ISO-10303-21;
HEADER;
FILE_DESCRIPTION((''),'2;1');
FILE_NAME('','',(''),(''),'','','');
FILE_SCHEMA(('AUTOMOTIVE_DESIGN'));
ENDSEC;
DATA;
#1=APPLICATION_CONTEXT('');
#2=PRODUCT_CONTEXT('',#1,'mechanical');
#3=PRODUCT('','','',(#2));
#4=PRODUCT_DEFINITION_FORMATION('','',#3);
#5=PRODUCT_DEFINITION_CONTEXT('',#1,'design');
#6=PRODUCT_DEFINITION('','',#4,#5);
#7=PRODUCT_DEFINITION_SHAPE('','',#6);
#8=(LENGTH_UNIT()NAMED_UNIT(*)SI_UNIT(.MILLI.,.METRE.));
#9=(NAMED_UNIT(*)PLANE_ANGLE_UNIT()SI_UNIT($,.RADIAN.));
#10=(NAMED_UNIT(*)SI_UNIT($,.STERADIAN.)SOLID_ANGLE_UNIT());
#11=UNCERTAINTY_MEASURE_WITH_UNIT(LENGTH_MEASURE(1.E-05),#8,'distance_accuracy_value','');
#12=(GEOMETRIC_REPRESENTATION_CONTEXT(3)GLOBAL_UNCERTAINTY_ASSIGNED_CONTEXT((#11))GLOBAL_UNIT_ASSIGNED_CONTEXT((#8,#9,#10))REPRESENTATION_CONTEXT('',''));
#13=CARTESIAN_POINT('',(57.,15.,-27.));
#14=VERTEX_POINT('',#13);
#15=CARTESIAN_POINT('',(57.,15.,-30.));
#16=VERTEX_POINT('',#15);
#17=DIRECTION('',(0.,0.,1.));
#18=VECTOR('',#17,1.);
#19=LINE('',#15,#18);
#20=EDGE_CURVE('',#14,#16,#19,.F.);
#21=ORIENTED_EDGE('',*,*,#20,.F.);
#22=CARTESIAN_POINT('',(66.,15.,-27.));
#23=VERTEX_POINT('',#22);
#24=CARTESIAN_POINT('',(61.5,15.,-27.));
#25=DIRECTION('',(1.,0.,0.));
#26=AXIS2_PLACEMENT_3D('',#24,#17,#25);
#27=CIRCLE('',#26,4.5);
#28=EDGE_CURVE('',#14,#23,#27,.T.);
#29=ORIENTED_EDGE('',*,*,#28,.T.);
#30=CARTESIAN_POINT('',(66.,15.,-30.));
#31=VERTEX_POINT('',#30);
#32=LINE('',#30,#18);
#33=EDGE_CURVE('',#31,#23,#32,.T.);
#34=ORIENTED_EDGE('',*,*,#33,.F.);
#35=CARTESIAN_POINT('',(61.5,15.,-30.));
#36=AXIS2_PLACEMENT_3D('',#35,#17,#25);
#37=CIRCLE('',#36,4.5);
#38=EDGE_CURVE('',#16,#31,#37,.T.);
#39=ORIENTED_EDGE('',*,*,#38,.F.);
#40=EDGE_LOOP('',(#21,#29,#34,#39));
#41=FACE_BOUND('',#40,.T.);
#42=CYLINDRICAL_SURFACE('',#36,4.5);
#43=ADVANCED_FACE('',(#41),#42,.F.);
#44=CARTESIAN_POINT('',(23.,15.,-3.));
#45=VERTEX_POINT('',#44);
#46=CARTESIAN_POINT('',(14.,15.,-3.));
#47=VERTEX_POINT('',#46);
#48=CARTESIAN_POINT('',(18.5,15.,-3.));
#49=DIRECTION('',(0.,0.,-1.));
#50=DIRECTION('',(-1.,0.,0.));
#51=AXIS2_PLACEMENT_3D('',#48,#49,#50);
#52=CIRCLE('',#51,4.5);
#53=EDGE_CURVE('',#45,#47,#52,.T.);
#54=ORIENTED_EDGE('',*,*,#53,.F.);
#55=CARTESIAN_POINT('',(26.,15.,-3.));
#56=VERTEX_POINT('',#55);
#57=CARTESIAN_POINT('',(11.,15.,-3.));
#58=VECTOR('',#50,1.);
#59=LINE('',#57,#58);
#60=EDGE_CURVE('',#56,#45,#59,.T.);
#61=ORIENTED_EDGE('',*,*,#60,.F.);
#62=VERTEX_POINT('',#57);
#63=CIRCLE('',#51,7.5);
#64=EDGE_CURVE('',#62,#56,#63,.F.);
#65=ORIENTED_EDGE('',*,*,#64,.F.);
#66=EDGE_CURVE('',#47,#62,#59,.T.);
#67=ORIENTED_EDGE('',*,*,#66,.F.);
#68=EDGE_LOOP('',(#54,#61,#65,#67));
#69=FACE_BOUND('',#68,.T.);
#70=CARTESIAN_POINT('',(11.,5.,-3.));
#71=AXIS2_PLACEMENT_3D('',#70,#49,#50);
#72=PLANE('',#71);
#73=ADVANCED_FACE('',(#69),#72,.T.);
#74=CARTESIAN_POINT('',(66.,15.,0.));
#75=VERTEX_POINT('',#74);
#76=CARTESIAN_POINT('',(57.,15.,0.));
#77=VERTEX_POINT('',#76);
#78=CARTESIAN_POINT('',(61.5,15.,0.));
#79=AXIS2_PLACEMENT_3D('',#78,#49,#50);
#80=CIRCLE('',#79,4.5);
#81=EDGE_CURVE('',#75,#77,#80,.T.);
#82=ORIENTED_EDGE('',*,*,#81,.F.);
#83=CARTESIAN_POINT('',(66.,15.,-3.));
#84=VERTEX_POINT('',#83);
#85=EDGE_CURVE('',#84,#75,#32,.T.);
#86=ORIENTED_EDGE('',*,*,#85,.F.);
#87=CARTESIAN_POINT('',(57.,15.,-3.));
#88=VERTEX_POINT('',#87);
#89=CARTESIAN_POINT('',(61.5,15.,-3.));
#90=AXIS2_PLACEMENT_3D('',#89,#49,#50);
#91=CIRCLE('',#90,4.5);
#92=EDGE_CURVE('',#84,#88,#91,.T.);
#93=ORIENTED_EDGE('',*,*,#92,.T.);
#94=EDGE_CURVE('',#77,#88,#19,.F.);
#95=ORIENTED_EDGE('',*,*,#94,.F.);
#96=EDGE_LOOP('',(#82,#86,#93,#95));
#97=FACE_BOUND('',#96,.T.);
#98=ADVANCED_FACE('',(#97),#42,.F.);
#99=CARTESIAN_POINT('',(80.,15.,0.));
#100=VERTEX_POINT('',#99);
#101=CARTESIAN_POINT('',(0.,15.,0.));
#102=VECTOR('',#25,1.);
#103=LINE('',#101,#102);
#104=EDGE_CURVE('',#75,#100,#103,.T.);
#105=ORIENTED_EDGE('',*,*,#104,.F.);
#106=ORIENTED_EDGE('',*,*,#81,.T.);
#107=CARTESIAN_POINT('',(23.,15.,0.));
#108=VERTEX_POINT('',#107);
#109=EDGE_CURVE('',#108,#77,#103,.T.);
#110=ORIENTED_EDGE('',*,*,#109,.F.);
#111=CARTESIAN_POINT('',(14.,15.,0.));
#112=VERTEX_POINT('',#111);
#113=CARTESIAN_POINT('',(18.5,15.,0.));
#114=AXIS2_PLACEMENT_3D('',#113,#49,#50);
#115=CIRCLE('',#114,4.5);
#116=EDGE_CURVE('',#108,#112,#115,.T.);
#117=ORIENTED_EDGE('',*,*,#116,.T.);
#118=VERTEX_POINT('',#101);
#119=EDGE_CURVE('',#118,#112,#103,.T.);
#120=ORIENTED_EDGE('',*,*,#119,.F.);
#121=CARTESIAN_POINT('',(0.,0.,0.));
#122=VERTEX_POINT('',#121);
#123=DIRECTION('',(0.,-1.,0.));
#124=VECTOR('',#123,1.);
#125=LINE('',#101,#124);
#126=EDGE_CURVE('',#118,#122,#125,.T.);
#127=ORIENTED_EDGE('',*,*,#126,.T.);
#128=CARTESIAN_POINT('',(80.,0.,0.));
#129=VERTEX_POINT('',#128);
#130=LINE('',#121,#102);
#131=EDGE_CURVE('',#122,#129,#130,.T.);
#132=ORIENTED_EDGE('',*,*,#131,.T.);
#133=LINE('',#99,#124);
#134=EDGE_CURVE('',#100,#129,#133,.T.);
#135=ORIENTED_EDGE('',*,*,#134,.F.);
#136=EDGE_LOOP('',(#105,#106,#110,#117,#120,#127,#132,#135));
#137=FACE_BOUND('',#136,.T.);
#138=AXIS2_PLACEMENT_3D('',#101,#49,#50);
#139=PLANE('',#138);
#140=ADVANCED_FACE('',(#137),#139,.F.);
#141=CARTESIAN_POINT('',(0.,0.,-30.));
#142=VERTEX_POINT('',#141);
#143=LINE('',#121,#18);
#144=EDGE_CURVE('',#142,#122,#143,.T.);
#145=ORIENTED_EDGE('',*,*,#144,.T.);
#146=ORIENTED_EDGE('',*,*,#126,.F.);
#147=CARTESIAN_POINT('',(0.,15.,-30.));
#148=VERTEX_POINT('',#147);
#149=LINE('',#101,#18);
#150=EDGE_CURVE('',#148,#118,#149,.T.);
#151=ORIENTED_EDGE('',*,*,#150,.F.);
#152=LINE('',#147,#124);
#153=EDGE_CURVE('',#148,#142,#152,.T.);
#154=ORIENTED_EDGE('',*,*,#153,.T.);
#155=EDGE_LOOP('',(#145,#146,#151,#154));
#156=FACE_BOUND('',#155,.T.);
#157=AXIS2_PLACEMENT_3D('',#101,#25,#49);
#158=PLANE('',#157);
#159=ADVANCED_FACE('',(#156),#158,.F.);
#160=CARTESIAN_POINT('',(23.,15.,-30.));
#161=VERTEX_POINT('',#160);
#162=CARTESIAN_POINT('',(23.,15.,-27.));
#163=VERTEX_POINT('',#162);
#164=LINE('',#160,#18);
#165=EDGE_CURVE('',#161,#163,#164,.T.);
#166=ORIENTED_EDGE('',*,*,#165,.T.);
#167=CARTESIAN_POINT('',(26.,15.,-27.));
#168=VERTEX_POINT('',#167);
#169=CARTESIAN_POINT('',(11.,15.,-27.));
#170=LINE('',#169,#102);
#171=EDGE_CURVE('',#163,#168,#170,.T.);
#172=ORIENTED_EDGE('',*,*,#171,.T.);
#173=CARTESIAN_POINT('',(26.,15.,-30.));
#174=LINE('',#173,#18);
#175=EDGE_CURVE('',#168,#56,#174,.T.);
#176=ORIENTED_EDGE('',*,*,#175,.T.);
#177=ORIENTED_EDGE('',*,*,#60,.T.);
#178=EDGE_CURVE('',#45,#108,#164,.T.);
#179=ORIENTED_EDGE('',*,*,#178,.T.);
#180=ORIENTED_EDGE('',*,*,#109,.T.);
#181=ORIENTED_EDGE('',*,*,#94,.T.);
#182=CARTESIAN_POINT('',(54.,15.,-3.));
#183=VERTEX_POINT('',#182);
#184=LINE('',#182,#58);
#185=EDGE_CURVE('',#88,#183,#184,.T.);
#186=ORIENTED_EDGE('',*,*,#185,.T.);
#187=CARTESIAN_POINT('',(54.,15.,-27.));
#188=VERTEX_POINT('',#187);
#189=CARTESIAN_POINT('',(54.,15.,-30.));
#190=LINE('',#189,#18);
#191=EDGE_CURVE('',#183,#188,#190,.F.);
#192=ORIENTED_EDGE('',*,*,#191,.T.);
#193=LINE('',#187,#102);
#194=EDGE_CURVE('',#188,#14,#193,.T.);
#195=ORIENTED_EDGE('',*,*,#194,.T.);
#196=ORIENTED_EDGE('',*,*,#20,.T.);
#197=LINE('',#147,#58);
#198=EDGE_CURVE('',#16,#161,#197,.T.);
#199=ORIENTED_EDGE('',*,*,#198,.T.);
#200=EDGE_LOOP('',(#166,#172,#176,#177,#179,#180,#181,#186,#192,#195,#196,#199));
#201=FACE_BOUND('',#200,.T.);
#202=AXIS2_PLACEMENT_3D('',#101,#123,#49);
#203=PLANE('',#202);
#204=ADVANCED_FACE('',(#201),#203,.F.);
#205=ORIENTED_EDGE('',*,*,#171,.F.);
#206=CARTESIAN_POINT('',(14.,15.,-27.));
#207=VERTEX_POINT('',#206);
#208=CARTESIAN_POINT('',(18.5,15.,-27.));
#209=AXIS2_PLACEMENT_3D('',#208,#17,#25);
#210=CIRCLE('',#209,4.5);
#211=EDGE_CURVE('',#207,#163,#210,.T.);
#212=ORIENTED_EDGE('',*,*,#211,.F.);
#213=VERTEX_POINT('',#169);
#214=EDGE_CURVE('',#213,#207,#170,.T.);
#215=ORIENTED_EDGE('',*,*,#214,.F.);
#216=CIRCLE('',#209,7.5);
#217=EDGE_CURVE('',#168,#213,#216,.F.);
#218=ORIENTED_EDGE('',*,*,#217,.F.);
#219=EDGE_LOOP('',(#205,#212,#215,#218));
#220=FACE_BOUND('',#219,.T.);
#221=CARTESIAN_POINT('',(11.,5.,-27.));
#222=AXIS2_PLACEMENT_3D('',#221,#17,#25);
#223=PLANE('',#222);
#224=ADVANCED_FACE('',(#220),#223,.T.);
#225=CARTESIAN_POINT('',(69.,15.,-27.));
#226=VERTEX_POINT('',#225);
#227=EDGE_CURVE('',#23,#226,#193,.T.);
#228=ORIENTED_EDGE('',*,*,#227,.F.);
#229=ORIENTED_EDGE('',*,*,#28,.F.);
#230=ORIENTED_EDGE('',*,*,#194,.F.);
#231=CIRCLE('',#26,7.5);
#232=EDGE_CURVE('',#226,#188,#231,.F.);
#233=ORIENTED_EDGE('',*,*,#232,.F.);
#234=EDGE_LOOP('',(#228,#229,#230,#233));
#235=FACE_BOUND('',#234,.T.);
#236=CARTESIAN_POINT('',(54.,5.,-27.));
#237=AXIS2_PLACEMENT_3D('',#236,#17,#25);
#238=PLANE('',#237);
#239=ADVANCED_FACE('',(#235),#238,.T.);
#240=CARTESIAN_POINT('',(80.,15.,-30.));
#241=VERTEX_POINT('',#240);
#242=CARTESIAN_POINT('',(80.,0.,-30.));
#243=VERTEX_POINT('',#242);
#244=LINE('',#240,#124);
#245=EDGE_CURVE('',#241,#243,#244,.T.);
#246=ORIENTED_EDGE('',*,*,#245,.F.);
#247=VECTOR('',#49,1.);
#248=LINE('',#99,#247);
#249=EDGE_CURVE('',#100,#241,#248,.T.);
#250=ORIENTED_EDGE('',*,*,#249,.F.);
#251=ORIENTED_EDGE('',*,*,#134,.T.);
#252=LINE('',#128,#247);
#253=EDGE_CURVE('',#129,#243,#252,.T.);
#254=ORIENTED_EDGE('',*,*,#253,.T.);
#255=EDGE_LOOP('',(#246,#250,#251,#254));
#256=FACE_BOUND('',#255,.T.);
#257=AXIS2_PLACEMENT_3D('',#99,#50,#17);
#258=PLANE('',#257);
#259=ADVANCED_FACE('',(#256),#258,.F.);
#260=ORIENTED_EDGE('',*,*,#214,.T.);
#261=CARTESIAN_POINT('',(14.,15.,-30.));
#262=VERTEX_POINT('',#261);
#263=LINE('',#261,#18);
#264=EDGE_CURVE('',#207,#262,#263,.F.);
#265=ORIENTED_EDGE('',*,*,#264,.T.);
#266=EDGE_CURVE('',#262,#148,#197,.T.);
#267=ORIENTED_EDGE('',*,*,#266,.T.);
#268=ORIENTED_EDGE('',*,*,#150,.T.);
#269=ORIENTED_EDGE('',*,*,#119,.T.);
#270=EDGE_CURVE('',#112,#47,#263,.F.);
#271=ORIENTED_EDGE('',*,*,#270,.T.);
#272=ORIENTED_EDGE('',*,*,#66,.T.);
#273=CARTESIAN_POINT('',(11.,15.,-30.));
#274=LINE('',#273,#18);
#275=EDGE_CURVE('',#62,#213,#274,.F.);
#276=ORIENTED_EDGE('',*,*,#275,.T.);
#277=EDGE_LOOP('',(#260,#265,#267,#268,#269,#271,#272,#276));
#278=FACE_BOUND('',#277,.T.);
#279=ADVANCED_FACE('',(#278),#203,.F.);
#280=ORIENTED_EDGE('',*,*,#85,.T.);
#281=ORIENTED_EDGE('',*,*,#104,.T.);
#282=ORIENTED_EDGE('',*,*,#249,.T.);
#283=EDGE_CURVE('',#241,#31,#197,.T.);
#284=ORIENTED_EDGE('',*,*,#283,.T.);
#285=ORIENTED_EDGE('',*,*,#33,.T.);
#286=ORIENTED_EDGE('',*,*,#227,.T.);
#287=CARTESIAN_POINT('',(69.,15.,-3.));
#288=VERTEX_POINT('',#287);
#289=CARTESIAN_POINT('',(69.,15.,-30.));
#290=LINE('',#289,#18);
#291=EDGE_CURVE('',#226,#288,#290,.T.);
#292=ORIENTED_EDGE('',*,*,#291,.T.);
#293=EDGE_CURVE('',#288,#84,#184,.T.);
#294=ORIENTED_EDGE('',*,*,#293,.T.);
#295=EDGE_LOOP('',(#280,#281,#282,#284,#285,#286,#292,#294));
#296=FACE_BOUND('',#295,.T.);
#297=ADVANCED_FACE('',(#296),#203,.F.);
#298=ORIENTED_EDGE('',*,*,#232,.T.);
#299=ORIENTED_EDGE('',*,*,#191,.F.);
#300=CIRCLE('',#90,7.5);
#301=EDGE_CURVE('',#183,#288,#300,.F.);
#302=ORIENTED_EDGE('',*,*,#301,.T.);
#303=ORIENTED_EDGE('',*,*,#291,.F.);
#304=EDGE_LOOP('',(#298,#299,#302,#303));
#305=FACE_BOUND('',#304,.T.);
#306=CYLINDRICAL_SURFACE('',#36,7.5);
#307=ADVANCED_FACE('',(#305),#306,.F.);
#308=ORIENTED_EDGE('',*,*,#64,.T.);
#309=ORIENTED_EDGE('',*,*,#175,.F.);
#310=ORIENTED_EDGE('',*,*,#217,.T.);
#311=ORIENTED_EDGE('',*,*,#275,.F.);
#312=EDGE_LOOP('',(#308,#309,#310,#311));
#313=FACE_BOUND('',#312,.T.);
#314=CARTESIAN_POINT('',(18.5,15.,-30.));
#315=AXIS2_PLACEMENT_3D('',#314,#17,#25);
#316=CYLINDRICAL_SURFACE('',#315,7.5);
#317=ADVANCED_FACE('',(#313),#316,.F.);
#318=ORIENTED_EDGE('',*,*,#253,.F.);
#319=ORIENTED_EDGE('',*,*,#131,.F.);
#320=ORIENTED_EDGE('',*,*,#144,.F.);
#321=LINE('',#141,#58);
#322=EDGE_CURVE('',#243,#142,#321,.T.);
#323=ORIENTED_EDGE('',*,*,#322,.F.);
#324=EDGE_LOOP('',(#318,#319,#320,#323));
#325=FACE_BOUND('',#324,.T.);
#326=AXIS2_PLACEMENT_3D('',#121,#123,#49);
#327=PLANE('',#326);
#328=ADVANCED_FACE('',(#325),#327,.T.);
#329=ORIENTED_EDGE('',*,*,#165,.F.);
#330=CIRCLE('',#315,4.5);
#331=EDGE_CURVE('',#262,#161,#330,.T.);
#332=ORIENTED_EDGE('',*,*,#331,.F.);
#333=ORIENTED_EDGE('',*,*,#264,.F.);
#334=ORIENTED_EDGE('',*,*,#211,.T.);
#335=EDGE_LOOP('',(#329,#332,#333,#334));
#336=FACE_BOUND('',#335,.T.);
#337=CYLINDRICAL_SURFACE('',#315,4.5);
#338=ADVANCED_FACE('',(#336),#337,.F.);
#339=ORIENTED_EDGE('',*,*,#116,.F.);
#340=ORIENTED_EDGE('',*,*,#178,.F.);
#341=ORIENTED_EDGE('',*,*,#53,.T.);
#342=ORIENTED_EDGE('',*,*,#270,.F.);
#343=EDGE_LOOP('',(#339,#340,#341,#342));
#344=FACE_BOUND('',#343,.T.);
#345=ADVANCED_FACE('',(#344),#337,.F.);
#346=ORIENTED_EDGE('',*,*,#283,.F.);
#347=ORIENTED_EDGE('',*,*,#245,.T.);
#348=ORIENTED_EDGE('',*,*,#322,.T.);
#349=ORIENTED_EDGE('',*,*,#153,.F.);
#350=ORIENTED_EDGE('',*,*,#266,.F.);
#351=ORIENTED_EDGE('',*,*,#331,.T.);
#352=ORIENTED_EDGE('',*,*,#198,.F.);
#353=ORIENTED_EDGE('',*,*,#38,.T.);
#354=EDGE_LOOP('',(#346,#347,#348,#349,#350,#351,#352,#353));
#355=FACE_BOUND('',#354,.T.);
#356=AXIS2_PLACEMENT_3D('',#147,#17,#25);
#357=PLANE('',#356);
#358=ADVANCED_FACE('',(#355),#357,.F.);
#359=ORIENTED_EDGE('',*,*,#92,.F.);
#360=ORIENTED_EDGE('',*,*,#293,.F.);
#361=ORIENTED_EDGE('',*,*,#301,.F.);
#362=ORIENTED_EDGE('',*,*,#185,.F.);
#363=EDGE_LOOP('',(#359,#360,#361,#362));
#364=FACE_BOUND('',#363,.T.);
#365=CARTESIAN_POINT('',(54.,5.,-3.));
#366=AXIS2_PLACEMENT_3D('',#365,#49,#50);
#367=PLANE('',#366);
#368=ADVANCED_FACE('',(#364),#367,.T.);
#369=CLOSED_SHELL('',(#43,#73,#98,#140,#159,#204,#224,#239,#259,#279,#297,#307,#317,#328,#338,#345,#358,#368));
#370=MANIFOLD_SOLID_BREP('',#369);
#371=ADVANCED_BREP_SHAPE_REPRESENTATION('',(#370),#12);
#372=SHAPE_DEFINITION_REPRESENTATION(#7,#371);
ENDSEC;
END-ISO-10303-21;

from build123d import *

# Parameters (mm, degrees)
SKETCH1_W               = 80
SKETCH1_H               = 30
BOSS_EXTRUDE1_DEPTH     = 15
SKETCH2_R               = 7.5
CUT_EXTRUDE1_DEPTH      = 87.746757864
SKETCH3_W               = 15
SKETCH3_H               = 3
BOSS_EXTRUDE2_DEPTH     = 10
CUT_EXTRUDE2_DEPTH      = 87.746757864
CUT_EXTRUDE2_DEPTH_BACK = 87.746757864
SKETCH4_R               = 4.5


with BuildPart() as part:
    # Sketch1 → Boss-Extrude1 (new body)
    with BuildSketch(Plane(origin=(0, 0, 0), x_dir=(1, 0, 0), z_dir=(0, 1, 0))):
        with Locations((40, 15)):
            Rectangle(SKETCH1_W, SKETCH1_H)
    extrude(amount=BOSS_EXTRUDE1_DEPTH)

    # Sketch2 → Cut-Extrude1 (cut, through all)
    with BuildSketch(Plane.XY):
        with Locations((18.5, 15)):
            Circle(SKETCH2_R)
        with Locations((61.5, 15)):
            Circle(SKETCH2_R)
    extrude(amount=-CUT_EXTRUDE1_DEPTH, mode=Mode.SUBTRACT)

    # Sketch3 → Boss-Extrude2 (add)
    with BuildSketch(Plane(origin=(0, 15, 0), x_dir=(1, 0, 0), z_dir=(0, 1, 0))):
        with Locations((18.5, 1.5)):
            Rectangle(SKETCH3_W, SKETCH3_H)
        with Locations((61.5, 28.5)):
            Rectangle(SKETCH3_W, SKETCH3_H)
        with Locations((61.5, 1.5)):
            Rectangle(SKETCH3_W, SKETCH3_H)
        with Locations((18.5, 28.5)):
            Rectangle(SKETCH3_W, SKETCH3_H)
    extrude(amount=-BOSS_EXTRUDE2_DEPTH)

    # Sketch4 → Cut-Extrude2 (cut, two sides: drawn at the far end of the back side and taken through both)
    with BuildSketch(Plane.XY.offset(-CUT_EXTRUDE2_DEPTH_BACK)):
        with Locations((18.5, 15)):
            Circle(SKETCH4_R)
        with Locations((61.5, 15)):
            Circle(SKETCH4_R)
    extrude(amount=CUT_EXTRUDE2_DEPTH + CUT_EXTRUDE2_DEPTH_BACK, mode=Mode.SUBTRACT)


solid = part.part
